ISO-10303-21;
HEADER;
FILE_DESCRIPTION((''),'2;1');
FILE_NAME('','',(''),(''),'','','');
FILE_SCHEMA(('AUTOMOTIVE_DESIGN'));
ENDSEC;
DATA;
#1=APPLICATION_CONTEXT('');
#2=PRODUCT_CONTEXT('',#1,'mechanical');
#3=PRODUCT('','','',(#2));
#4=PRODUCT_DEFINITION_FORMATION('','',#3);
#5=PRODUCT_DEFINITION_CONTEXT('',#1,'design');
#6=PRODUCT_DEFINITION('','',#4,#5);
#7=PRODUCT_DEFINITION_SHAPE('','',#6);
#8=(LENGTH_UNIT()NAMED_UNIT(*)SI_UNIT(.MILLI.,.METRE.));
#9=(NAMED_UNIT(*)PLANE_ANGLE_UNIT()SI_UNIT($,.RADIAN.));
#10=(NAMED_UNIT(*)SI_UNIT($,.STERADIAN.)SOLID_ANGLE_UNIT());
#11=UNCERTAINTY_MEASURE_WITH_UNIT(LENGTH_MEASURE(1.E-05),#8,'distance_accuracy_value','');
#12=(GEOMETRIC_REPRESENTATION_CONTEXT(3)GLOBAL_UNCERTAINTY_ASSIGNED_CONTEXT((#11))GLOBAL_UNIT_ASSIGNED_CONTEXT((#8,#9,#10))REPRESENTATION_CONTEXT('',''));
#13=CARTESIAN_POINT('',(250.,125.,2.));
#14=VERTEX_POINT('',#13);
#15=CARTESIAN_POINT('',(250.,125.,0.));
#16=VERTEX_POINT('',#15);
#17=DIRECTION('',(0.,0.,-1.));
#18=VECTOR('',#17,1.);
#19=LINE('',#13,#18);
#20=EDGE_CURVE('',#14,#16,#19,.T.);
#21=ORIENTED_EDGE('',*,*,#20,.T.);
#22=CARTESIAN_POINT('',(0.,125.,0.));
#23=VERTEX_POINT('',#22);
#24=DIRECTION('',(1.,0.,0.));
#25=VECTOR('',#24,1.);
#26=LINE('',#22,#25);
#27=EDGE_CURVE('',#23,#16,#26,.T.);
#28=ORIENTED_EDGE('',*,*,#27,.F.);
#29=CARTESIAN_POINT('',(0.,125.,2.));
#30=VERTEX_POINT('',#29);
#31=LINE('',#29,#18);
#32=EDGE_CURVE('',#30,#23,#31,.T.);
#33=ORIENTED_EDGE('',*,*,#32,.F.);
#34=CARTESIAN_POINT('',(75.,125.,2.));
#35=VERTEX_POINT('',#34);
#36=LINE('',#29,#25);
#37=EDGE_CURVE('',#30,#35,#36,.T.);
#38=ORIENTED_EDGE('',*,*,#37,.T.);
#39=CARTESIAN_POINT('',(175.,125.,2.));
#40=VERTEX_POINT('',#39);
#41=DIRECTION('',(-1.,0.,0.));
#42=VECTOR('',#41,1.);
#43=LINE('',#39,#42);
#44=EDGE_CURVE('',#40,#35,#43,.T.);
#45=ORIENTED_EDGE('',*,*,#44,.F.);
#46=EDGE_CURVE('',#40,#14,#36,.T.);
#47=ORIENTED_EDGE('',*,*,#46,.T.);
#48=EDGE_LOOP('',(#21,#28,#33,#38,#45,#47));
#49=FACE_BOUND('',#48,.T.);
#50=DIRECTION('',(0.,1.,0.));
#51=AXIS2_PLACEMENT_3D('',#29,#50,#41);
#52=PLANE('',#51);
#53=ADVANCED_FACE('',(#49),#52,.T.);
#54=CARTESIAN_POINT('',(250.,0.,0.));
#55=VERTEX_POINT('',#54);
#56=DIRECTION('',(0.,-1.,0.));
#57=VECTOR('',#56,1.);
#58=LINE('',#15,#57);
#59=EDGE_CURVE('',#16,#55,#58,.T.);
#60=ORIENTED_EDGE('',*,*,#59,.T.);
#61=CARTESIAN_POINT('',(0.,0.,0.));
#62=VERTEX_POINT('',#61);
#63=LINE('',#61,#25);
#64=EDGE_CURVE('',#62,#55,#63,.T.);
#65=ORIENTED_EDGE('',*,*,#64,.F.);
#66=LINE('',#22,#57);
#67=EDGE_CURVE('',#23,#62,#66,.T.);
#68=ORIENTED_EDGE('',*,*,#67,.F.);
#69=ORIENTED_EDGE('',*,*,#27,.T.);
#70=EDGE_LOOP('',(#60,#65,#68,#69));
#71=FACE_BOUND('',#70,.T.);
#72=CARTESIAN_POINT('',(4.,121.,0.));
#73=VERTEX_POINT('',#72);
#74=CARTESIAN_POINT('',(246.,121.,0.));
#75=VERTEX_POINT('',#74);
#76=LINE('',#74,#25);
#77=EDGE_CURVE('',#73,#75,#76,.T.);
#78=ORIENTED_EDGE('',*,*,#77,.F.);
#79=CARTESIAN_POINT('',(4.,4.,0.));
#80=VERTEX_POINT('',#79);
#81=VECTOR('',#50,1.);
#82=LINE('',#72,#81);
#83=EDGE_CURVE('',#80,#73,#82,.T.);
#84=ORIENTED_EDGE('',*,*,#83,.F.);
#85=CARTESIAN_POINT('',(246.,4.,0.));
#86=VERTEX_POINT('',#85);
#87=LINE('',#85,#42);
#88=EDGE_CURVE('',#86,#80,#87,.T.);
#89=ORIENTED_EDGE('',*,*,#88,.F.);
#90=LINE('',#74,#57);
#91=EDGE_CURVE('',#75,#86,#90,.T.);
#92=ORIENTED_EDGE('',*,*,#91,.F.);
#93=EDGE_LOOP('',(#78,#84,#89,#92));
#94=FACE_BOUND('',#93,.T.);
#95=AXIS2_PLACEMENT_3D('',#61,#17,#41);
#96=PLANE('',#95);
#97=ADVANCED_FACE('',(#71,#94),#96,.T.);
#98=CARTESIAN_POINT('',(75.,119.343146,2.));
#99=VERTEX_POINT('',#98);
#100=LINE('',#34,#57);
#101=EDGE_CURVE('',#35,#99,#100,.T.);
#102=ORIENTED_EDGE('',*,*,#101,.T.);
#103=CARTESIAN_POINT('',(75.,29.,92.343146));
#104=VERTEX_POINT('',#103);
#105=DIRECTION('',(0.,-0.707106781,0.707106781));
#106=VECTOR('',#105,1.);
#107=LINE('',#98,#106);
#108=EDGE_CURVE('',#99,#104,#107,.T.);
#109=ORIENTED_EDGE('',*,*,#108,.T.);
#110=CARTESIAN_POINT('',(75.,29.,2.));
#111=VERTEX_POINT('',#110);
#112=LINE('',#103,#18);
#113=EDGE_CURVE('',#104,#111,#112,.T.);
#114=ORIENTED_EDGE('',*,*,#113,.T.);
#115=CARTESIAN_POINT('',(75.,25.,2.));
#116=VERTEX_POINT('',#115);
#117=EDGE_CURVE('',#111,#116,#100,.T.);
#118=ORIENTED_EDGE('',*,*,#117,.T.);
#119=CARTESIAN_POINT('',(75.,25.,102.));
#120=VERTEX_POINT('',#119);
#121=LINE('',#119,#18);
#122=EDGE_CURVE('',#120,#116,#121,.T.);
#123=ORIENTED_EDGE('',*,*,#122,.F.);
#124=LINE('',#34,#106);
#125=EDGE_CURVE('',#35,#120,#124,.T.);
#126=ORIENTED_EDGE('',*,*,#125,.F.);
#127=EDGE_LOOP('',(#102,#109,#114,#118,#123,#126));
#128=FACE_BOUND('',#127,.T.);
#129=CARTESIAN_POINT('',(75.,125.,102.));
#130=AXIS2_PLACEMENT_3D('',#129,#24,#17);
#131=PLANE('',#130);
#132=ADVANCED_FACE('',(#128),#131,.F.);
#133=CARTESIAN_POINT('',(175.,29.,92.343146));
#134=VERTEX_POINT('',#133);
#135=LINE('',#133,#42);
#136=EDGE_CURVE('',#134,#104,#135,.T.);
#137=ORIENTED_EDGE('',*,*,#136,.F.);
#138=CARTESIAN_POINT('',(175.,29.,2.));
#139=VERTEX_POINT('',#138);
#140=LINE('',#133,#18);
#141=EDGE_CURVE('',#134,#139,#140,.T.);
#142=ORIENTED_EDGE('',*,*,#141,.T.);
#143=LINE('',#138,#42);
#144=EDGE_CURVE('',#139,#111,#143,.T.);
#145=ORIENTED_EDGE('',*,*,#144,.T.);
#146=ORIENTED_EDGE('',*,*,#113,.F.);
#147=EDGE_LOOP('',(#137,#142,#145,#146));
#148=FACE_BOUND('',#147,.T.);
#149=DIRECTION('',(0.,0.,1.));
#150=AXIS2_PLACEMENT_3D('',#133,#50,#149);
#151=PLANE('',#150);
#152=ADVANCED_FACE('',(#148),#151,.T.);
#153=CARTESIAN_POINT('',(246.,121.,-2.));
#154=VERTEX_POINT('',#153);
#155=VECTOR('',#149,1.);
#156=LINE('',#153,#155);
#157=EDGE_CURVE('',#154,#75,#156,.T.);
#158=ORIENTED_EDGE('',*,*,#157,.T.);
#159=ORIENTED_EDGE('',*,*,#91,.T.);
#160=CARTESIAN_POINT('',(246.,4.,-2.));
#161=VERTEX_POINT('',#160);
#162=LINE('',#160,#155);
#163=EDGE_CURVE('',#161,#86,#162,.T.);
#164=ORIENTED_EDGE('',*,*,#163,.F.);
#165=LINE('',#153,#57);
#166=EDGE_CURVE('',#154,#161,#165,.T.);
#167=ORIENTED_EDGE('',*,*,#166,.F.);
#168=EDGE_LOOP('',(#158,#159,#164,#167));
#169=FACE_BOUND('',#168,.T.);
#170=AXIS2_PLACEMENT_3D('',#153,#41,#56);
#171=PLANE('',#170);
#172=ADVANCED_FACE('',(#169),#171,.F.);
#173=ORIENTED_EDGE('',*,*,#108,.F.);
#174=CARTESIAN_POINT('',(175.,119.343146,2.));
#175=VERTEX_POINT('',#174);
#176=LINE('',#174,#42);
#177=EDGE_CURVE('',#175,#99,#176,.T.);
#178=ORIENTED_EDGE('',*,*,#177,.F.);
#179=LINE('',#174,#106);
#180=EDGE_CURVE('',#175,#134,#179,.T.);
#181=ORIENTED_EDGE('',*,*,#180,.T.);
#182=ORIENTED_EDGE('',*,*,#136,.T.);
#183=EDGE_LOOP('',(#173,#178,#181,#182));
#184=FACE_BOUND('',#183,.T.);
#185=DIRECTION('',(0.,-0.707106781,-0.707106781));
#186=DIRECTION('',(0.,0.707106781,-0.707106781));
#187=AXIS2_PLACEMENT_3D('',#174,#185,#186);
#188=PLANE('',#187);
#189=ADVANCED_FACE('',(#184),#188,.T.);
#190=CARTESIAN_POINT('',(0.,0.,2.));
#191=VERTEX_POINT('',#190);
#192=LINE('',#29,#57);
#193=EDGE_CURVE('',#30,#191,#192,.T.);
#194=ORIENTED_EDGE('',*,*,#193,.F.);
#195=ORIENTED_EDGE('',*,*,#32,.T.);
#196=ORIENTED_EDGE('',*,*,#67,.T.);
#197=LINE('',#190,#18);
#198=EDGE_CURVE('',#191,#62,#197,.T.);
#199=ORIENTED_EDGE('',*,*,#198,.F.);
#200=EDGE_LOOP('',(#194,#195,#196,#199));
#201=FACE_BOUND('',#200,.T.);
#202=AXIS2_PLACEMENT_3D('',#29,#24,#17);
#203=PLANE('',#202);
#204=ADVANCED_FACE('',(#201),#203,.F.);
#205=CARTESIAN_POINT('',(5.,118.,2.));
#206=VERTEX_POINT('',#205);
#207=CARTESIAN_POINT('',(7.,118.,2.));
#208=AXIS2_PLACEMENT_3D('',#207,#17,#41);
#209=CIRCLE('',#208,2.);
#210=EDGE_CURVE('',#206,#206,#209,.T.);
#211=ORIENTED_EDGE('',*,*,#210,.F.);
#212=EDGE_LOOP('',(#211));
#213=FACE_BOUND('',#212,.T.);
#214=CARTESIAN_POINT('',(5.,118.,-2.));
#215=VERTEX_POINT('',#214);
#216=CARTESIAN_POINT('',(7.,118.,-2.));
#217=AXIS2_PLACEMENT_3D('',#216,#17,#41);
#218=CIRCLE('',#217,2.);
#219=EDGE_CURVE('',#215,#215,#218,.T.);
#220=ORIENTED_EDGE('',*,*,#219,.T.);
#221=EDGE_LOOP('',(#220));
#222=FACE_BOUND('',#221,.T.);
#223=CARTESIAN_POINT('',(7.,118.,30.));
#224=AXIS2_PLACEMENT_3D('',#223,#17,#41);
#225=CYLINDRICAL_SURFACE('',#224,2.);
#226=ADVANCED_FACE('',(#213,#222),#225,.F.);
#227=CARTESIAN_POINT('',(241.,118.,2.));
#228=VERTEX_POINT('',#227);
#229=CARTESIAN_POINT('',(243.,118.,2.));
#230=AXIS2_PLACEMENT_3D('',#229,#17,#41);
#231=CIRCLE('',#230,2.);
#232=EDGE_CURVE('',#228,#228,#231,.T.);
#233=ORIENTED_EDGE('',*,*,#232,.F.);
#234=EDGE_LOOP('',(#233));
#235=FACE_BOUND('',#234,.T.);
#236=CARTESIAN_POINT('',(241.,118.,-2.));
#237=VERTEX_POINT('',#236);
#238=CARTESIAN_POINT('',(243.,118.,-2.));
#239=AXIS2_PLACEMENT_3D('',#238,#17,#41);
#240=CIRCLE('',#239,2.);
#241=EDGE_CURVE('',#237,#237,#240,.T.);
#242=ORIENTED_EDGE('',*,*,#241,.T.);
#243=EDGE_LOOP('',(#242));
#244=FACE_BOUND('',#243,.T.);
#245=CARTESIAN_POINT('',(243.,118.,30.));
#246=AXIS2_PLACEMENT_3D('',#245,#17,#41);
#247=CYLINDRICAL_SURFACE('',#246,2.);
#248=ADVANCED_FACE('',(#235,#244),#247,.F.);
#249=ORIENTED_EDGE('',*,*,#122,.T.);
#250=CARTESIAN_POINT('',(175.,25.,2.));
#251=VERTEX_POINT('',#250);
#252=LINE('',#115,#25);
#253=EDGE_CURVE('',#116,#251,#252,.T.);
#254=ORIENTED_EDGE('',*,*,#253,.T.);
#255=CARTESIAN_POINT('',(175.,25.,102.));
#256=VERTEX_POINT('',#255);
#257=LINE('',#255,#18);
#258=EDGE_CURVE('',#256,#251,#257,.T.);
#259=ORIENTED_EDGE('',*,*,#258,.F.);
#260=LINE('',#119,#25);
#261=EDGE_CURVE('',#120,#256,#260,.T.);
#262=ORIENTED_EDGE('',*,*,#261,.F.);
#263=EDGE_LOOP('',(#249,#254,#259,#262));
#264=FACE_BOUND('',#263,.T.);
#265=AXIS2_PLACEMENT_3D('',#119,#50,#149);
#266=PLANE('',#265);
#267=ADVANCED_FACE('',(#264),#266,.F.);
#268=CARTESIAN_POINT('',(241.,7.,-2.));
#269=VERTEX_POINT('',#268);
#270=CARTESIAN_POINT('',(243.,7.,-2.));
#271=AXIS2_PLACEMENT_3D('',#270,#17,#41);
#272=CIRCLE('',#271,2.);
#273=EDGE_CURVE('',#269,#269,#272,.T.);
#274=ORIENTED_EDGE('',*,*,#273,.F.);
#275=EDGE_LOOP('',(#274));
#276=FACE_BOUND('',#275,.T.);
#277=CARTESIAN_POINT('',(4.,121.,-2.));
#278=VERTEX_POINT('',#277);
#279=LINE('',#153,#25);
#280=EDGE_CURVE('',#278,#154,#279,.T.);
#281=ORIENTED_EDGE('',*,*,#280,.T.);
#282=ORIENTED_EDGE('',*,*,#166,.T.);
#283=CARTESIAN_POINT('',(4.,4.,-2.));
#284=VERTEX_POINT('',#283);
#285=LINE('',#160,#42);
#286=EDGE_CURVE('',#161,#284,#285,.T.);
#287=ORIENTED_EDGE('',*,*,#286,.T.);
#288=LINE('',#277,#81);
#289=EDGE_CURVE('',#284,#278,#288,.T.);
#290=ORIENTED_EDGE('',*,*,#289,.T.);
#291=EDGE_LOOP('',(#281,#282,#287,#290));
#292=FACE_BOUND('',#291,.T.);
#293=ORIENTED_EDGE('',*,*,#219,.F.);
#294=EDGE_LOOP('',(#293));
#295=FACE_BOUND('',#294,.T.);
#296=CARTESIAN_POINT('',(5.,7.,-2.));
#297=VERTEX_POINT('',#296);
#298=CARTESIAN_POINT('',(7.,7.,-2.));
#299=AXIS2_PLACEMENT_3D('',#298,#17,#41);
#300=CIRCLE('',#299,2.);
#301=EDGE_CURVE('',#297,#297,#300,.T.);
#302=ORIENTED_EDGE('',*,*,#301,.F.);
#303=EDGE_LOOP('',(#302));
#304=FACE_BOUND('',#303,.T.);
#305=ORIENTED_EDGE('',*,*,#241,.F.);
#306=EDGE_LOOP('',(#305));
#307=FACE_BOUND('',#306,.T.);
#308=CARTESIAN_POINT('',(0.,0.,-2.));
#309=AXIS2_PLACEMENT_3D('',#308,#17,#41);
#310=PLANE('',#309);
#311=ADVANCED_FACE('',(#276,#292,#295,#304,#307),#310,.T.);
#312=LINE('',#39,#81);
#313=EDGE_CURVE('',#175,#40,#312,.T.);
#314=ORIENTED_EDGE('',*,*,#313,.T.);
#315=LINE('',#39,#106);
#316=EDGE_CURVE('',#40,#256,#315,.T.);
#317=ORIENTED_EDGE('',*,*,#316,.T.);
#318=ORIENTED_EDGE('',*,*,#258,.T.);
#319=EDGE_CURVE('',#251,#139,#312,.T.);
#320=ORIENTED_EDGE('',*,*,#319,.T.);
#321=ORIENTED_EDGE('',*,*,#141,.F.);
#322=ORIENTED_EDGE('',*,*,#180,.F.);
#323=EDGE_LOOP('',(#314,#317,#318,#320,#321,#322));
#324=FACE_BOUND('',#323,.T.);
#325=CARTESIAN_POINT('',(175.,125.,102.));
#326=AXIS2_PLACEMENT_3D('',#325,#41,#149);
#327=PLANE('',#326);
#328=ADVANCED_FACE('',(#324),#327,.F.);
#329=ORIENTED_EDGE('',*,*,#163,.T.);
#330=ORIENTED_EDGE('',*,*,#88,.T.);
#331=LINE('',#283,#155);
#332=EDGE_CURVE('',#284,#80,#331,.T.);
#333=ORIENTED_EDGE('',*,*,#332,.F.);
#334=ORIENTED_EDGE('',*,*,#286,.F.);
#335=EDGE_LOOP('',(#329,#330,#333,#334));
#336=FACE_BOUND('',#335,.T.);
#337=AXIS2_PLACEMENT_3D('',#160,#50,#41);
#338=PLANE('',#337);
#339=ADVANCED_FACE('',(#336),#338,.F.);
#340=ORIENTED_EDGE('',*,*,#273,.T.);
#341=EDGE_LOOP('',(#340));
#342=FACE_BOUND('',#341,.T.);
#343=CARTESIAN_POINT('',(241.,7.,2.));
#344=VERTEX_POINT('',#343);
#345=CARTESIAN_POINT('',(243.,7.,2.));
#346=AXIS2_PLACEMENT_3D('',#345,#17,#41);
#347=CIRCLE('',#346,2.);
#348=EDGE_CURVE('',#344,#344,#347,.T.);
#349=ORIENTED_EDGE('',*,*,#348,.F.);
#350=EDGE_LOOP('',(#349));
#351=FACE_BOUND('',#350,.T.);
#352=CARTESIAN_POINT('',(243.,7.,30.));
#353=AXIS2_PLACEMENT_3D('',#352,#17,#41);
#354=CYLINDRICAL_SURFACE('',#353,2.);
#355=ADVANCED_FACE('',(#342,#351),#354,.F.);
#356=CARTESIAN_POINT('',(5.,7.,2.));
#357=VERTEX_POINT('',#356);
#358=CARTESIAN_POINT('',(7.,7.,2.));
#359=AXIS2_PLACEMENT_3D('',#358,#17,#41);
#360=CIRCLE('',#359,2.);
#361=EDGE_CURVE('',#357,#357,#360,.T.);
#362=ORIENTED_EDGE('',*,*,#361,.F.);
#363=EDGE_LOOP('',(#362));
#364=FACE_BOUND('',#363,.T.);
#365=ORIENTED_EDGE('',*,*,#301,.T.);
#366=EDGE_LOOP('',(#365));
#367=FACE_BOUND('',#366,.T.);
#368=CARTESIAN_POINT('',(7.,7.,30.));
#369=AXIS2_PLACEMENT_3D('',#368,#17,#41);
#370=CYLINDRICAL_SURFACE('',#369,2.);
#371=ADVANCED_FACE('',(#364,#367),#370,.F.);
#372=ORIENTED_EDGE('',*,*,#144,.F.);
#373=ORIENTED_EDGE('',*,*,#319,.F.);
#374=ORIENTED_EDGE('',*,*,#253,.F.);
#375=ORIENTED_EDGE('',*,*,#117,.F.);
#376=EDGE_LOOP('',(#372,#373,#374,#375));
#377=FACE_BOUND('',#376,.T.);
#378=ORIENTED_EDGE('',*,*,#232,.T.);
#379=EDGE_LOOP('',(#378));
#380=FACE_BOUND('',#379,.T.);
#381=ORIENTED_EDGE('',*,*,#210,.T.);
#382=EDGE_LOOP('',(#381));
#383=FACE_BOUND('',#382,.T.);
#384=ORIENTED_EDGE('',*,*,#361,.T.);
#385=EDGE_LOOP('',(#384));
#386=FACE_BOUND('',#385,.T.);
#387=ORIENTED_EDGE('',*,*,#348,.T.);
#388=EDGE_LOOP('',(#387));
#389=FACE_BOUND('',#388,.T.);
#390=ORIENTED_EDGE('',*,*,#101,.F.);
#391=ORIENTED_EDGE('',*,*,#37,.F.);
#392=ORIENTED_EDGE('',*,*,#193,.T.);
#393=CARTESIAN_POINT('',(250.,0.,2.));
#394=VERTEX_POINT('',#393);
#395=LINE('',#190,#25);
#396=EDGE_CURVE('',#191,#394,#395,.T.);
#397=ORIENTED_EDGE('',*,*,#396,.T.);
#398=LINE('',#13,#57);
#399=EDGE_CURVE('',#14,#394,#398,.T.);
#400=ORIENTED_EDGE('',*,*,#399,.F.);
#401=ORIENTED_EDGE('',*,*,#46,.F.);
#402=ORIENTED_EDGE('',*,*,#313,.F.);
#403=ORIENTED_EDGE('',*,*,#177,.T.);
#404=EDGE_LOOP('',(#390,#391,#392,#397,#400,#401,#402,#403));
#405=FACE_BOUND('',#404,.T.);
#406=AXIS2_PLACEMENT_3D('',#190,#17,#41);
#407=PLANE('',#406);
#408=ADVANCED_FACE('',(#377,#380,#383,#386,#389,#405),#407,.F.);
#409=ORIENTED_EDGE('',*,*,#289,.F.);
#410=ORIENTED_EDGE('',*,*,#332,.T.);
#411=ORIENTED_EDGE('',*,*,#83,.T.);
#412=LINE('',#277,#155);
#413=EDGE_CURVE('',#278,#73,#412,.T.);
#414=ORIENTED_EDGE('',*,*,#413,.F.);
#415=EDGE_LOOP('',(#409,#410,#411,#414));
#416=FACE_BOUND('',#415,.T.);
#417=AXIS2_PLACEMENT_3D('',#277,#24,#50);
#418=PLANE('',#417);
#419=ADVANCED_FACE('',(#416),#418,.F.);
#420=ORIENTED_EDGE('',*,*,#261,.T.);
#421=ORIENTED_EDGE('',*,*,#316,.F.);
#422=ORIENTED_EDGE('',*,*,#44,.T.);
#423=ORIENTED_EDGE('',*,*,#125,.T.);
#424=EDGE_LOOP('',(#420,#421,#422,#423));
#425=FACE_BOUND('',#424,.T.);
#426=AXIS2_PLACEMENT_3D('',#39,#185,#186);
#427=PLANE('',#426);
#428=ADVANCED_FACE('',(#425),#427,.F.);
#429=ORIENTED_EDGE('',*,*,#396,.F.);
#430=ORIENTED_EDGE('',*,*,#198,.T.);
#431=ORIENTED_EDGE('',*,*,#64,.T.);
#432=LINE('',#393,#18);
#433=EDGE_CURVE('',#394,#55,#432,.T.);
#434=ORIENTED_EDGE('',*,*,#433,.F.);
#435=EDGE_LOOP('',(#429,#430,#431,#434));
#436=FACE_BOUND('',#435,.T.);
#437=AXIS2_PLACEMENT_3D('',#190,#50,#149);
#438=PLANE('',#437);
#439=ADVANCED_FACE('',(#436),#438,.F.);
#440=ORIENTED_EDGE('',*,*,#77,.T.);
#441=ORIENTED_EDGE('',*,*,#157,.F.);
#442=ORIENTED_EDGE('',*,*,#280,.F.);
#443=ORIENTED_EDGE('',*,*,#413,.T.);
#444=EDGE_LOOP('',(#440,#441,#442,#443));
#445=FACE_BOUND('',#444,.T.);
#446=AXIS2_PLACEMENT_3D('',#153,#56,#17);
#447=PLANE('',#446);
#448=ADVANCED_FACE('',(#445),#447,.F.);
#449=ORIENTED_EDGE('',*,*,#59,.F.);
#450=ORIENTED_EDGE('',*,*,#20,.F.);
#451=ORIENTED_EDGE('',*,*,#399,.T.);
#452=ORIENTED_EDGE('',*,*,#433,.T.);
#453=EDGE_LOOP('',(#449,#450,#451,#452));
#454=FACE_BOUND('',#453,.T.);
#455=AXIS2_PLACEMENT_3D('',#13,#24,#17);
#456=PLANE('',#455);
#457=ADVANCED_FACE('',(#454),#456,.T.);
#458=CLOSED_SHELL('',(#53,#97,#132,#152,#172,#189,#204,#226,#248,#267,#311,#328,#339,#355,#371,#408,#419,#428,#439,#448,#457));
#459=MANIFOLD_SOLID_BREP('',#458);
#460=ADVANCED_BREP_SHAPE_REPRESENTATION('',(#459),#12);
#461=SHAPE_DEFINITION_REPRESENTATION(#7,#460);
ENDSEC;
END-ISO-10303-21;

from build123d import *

# Parameters (mm, degrees)
SKIZZE1_W                       = 250
SKIZZE1_H                       = 125
AUFSATZ_LINEAR_AUSTRAGEN1_DEPTH = 2
SKIZZE2_W                       = 100
SKIZZE2_H                       = 100
AUFSATZ_LINEAR_AUSTRAGEN2_DEPTH = 100
SCHNITT_LINEAR_AUSTRAGEN1_DEPTH = 100
SCHNITT_LINEAR_AUSTRAGEN2_DEPTH = 100
SKIZZE6_W                       = 242
SKIZZE6_H                       = 117
AUFSATZ_LINEAR_AUSTRAGEN3_DEPTH = 2
SKIZZE7_R                       = 2
SCHNITT_LINEAR_AUSTRAGEN5_DEPTH = 32


with BuildPart() as part:
    # Skizze1 → Aufsatz-Linear austragen1 (new body)
    with BuildSketch(Plane.XY):
        with Locations((125, 62.5)):
            Rectangle(SKIZZE1_W, SKIZZE1_H)
    extrude(amount=AUFSATZ_LINEAR_AUSTRAGEN1_DEPTH)

    # Skizze2 → Aufsatz-Linear austragen2 (add)
    with BuildSketch(Plane.XY.offset(2)):
        with Locations((125, 75)):
            Rectangle(SKIZZE2_W, SKIZZE2_H)
    extrude(amount=AUFSATZ_LINEAR_AUSTRAGEN2_DEPTH)

    # Skizze3 → Schnitt-Linear austragen1 (cut)
    with BuildSketch(Plane.ZY.offset(-75)):
        Polygon((102, 25), (102, 125), (2, 125), align=None)
    extrude(amount=-SCHNITT_LINEAR_AUSTRAGEN1_DEPTH, mode=Mode.SUBTRACT)

    # Skizze4 → Schnitt-Linear austragen2 (cut)
    with BuildSketch(Plane.ZY.offset(-75)):
        Polygon((2, 119.343145751), (92.343145751, 29), (2, 29), align=None)
    extrude(amount=-SCHNITT_LINEAR_AUSTRAGEN2_DEPTH, mode=Mode.SUBTRACT)

    # Skizze6 → Aufsatz-Linear austragen3 (add)
    with BuildSketch(Plane(origin=(0, 0, 0), x_dir=(-1, 0, 0), z_dir=(0, 0, -1))):
        with Locations((-125, 62.5)):
            Rectangle(SKIZZE6_W, SKIZZE6_H)
    extrude(amount=AUFSATZ_LINEAR_AUSTRAGEN3_DEPTH)

    # Skizze7 → Schnitt-Linear austragen5 (cut)
    with BuildSketch(Plane(origin=(0, 0, -2), x_dir=(-1, 0, 0), z_dir=(0, 0, -1))):
        with Locations((-243, 118)):
            Circle(SKIZZE7_R)
        with Locations((-7, 7)):
            Circle(SKIZZE7_R)
        with Locations((-7, 118)):
            Circle(SKIZZE7_R)
        with Locations((-243, 7)):
            Circle(SKIZZE7_R)
    extrude(amount=-SCHNITT_LINEAR_AUSTRAGEN5_DEPTH, mode=Mode.SUBTRACT)


solid = part.part
